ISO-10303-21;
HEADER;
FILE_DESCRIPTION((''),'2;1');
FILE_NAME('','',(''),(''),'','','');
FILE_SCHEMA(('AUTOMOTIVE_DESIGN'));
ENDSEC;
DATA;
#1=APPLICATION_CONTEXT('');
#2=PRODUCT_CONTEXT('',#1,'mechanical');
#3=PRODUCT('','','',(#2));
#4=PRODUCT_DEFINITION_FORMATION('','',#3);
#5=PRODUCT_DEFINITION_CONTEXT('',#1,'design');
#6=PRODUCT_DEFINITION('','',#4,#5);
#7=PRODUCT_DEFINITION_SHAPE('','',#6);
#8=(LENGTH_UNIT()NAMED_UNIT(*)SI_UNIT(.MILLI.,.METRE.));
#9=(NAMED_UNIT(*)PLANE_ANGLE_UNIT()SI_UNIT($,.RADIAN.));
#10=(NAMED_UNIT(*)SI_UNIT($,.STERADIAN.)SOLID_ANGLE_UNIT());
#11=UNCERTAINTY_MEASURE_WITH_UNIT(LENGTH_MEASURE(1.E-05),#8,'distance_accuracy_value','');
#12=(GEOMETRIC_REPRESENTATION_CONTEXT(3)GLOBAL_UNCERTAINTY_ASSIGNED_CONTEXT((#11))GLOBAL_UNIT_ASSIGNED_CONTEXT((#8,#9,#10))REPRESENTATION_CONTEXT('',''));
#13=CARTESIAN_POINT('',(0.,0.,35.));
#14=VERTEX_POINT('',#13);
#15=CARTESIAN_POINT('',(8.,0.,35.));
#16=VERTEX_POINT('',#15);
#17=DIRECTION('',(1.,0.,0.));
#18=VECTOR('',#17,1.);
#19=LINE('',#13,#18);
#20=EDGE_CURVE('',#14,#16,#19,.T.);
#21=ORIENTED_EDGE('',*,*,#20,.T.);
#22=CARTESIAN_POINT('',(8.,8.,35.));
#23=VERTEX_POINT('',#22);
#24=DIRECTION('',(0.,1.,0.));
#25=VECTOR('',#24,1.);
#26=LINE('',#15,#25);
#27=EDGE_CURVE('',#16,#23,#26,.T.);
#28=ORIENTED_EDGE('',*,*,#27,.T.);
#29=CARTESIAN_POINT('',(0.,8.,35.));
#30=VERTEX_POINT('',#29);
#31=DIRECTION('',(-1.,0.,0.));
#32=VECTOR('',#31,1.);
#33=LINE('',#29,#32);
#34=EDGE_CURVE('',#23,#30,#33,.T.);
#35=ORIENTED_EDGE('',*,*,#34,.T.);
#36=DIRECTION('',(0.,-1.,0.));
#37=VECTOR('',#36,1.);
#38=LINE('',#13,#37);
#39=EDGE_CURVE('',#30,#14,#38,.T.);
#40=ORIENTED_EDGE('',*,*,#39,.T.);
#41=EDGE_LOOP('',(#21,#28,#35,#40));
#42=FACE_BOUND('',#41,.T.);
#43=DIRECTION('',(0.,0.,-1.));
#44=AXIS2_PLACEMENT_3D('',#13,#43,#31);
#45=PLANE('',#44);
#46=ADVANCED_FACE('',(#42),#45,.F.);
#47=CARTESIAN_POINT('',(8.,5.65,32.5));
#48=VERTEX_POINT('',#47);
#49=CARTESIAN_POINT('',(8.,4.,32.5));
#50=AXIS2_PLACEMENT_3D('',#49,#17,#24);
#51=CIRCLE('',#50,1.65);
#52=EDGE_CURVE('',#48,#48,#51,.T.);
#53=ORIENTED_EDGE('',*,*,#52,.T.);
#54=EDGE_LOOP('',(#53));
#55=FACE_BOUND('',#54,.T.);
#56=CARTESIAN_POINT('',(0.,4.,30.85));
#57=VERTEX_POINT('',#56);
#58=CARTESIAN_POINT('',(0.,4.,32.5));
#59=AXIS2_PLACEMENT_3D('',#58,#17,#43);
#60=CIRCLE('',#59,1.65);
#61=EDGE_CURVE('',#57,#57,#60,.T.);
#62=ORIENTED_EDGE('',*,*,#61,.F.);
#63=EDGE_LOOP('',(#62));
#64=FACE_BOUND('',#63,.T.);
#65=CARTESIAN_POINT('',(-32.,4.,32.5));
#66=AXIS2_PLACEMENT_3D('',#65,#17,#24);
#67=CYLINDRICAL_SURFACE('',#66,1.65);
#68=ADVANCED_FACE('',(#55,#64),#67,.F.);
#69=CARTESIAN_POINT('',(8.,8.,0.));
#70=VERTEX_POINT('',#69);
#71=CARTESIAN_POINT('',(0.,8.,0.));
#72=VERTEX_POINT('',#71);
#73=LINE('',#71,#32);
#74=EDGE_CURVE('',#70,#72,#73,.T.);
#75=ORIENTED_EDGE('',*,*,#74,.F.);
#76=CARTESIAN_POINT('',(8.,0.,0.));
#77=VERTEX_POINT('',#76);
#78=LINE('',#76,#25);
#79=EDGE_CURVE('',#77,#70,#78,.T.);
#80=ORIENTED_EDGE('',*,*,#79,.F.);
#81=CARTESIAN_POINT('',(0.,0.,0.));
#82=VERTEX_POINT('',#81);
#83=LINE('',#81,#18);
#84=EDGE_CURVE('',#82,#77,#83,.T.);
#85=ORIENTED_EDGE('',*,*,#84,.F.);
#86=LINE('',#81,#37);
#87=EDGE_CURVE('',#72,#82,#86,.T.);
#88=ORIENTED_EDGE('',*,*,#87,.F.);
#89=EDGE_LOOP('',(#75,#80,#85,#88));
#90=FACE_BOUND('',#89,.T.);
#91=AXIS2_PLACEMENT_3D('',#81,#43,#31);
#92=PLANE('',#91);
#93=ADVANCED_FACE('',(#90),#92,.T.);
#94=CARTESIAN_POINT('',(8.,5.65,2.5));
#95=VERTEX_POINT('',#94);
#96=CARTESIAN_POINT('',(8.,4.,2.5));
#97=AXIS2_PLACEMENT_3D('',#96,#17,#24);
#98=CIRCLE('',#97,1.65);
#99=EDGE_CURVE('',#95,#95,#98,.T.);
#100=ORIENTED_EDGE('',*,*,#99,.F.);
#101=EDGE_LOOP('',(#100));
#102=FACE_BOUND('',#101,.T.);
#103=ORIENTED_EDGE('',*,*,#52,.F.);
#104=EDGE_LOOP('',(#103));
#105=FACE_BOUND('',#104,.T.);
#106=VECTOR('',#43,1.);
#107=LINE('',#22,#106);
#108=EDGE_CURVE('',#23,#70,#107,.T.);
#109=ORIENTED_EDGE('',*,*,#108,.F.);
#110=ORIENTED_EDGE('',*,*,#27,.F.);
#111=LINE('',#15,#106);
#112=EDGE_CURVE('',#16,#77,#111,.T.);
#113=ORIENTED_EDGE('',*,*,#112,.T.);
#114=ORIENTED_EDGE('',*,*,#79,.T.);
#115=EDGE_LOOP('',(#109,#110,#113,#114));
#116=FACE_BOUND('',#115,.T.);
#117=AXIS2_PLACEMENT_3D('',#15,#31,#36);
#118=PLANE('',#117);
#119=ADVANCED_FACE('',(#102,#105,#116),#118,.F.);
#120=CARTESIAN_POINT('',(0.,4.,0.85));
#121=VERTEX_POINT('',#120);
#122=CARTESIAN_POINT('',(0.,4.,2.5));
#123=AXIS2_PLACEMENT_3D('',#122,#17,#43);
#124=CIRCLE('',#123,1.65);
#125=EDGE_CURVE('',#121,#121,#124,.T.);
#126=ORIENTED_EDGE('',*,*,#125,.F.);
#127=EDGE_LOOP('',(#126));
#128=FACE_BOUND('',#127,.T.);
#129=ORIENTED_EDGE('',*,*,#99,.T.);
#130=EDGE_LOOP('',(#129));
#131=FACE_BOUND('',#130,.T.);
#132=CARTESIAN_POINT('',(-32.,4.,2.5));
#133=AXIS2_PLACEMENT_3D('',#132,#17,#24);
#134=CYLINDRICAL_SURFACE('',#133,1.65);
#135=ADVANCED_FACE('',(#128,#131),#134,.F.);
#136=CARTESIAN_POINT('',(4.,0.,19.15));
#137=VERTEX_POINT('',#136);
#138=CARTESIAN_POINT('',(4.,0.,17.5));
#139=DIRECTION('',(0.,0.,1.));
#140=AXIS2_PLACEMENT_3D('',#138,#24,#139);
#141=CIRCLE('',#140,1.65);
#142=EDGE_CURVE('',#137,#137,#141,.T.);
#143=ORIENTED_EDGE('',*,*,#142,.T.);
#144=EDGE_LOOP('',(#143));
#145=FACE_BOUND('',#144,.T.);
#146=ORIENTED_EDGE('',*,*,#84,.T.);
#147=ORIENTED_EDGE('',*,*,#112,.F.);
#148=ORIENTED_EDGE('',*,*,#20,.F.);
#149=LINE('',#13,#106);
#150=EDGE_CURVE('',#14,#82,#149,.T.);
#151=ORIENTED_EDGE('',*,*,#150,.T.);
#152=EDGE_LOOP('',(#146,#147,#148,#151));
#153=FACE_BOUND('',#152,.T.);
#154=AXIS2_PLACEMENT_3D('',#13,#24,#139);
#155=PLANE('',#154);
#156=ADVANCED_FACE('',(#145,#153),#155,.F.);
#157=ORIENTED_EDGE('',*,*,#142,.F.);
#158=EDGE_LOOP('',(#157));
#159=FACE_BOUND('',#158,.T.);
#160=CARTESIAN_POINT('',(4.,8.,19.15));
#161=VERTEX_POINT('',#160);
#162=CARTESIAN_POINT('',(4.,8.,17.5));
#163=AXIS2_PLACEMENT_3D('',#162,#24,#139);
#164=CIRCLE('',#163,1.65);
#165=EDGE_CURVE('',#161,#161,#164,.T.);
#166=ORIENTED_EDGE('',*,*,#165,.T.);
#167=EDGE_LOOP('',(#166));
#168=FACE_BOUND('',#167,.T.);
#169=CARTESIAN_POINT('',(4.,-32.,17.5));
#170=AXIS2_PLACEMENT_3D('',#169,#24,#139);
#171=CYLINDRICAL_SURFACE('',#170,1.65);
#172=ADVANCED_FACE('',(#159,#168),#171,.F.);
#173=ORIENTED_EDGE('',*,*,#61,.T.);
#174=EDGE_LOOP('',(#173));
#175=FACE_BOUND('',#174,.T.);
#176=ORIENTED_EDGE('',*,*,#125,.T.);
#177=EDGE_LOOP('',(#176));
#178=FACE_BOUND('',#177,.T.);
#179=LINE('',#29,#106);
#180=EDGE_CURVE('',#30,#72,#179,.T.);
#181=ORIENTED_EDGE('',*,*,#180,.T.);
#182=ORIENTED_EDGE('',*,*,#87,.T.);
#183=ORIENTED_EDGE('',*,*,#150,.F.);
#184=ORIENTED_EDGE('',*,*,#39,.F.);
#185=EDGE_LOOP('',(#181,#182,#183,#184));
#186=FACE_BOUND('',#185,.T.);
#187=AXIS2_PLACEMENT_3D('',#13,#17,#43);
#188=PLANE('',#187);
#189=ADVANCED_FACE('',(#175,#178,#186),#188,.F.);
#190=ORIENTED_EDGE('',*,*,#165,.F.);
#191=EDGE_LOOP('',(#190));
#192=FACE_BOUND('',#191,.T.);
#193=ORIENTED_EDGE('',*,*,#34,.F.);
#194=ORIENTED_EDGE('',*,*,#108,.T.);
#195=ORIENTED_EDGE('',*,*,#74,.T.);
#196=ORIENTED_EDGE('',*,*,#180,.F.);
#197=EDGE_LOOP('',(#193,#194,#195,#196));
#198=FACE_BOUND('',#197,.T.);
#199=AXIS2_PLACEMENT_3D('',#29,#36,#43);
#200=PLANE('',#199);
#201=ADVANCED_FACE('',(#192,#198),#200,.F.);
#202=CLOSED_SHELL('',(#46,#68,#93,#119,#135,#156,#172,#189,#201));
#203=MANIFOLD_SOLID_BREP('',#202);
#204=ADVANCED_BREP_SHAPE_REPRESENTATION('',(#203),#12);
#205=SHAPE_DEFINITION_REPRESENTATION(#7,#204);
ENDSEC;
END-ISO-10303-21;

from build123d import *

# Parameters (mm, degrees)
SKETCH_1_W          = 8
SKETCH_1_H          = 8
EXTRUDE_1_DEPTH     = 35
SKETCH_2_R          = 1.65
CUT_EXTRUDE_1_DEPTH = 40
SKETCH_3_R          = 1.65
CUT_EXTRUDE_2_DEPTH = 40


with BuildPart() as part:
    # 草图1 → 凸台-拉伸1 (new body)
    with BuildSketch(Plane.XY):
        with Locations((4, 4)):
            Rectangle(SKETCH_1_W, SKETCH_1_H)
    extrude(amount=EXTRUDE_1_DEPTH)

    # 草图2 → 切除-拉伸1 (cut)
    with BuildSketch(Plane(origin=(8, 0, 0), x_dir=(0, 0, -1), z_dir=(1, 0, 0))):
        with Locations(Location((-32.5, 4, 0), (0, 0, 90))):
            Circle(SKETCH_2_R)
        with Locations(Location((-2.5, 4, 0), (0, 0, 90))):
            Circle(SKETCH_2_R)
    extrude(amount=-CUT_EXTRUDE_1_DEPTH, mode=Mode.SUBTRACT)

    # 草图3 → 切除-拉伸2 (cut)
    with BuildSketch(Plane(origin=(0, 8, 0), x_dir=(1, 0, 0), z_dir=(0, 1, 0))):
        with Locations(Location((4, -17.5, 0), (0, 0, 270))):
            Circle(SKETCH_3_R)
    extrude(amount=-CUT_EXTRUDE_2_DEPTH, mode=Mode.SUBTRACT)


solid = part.part
